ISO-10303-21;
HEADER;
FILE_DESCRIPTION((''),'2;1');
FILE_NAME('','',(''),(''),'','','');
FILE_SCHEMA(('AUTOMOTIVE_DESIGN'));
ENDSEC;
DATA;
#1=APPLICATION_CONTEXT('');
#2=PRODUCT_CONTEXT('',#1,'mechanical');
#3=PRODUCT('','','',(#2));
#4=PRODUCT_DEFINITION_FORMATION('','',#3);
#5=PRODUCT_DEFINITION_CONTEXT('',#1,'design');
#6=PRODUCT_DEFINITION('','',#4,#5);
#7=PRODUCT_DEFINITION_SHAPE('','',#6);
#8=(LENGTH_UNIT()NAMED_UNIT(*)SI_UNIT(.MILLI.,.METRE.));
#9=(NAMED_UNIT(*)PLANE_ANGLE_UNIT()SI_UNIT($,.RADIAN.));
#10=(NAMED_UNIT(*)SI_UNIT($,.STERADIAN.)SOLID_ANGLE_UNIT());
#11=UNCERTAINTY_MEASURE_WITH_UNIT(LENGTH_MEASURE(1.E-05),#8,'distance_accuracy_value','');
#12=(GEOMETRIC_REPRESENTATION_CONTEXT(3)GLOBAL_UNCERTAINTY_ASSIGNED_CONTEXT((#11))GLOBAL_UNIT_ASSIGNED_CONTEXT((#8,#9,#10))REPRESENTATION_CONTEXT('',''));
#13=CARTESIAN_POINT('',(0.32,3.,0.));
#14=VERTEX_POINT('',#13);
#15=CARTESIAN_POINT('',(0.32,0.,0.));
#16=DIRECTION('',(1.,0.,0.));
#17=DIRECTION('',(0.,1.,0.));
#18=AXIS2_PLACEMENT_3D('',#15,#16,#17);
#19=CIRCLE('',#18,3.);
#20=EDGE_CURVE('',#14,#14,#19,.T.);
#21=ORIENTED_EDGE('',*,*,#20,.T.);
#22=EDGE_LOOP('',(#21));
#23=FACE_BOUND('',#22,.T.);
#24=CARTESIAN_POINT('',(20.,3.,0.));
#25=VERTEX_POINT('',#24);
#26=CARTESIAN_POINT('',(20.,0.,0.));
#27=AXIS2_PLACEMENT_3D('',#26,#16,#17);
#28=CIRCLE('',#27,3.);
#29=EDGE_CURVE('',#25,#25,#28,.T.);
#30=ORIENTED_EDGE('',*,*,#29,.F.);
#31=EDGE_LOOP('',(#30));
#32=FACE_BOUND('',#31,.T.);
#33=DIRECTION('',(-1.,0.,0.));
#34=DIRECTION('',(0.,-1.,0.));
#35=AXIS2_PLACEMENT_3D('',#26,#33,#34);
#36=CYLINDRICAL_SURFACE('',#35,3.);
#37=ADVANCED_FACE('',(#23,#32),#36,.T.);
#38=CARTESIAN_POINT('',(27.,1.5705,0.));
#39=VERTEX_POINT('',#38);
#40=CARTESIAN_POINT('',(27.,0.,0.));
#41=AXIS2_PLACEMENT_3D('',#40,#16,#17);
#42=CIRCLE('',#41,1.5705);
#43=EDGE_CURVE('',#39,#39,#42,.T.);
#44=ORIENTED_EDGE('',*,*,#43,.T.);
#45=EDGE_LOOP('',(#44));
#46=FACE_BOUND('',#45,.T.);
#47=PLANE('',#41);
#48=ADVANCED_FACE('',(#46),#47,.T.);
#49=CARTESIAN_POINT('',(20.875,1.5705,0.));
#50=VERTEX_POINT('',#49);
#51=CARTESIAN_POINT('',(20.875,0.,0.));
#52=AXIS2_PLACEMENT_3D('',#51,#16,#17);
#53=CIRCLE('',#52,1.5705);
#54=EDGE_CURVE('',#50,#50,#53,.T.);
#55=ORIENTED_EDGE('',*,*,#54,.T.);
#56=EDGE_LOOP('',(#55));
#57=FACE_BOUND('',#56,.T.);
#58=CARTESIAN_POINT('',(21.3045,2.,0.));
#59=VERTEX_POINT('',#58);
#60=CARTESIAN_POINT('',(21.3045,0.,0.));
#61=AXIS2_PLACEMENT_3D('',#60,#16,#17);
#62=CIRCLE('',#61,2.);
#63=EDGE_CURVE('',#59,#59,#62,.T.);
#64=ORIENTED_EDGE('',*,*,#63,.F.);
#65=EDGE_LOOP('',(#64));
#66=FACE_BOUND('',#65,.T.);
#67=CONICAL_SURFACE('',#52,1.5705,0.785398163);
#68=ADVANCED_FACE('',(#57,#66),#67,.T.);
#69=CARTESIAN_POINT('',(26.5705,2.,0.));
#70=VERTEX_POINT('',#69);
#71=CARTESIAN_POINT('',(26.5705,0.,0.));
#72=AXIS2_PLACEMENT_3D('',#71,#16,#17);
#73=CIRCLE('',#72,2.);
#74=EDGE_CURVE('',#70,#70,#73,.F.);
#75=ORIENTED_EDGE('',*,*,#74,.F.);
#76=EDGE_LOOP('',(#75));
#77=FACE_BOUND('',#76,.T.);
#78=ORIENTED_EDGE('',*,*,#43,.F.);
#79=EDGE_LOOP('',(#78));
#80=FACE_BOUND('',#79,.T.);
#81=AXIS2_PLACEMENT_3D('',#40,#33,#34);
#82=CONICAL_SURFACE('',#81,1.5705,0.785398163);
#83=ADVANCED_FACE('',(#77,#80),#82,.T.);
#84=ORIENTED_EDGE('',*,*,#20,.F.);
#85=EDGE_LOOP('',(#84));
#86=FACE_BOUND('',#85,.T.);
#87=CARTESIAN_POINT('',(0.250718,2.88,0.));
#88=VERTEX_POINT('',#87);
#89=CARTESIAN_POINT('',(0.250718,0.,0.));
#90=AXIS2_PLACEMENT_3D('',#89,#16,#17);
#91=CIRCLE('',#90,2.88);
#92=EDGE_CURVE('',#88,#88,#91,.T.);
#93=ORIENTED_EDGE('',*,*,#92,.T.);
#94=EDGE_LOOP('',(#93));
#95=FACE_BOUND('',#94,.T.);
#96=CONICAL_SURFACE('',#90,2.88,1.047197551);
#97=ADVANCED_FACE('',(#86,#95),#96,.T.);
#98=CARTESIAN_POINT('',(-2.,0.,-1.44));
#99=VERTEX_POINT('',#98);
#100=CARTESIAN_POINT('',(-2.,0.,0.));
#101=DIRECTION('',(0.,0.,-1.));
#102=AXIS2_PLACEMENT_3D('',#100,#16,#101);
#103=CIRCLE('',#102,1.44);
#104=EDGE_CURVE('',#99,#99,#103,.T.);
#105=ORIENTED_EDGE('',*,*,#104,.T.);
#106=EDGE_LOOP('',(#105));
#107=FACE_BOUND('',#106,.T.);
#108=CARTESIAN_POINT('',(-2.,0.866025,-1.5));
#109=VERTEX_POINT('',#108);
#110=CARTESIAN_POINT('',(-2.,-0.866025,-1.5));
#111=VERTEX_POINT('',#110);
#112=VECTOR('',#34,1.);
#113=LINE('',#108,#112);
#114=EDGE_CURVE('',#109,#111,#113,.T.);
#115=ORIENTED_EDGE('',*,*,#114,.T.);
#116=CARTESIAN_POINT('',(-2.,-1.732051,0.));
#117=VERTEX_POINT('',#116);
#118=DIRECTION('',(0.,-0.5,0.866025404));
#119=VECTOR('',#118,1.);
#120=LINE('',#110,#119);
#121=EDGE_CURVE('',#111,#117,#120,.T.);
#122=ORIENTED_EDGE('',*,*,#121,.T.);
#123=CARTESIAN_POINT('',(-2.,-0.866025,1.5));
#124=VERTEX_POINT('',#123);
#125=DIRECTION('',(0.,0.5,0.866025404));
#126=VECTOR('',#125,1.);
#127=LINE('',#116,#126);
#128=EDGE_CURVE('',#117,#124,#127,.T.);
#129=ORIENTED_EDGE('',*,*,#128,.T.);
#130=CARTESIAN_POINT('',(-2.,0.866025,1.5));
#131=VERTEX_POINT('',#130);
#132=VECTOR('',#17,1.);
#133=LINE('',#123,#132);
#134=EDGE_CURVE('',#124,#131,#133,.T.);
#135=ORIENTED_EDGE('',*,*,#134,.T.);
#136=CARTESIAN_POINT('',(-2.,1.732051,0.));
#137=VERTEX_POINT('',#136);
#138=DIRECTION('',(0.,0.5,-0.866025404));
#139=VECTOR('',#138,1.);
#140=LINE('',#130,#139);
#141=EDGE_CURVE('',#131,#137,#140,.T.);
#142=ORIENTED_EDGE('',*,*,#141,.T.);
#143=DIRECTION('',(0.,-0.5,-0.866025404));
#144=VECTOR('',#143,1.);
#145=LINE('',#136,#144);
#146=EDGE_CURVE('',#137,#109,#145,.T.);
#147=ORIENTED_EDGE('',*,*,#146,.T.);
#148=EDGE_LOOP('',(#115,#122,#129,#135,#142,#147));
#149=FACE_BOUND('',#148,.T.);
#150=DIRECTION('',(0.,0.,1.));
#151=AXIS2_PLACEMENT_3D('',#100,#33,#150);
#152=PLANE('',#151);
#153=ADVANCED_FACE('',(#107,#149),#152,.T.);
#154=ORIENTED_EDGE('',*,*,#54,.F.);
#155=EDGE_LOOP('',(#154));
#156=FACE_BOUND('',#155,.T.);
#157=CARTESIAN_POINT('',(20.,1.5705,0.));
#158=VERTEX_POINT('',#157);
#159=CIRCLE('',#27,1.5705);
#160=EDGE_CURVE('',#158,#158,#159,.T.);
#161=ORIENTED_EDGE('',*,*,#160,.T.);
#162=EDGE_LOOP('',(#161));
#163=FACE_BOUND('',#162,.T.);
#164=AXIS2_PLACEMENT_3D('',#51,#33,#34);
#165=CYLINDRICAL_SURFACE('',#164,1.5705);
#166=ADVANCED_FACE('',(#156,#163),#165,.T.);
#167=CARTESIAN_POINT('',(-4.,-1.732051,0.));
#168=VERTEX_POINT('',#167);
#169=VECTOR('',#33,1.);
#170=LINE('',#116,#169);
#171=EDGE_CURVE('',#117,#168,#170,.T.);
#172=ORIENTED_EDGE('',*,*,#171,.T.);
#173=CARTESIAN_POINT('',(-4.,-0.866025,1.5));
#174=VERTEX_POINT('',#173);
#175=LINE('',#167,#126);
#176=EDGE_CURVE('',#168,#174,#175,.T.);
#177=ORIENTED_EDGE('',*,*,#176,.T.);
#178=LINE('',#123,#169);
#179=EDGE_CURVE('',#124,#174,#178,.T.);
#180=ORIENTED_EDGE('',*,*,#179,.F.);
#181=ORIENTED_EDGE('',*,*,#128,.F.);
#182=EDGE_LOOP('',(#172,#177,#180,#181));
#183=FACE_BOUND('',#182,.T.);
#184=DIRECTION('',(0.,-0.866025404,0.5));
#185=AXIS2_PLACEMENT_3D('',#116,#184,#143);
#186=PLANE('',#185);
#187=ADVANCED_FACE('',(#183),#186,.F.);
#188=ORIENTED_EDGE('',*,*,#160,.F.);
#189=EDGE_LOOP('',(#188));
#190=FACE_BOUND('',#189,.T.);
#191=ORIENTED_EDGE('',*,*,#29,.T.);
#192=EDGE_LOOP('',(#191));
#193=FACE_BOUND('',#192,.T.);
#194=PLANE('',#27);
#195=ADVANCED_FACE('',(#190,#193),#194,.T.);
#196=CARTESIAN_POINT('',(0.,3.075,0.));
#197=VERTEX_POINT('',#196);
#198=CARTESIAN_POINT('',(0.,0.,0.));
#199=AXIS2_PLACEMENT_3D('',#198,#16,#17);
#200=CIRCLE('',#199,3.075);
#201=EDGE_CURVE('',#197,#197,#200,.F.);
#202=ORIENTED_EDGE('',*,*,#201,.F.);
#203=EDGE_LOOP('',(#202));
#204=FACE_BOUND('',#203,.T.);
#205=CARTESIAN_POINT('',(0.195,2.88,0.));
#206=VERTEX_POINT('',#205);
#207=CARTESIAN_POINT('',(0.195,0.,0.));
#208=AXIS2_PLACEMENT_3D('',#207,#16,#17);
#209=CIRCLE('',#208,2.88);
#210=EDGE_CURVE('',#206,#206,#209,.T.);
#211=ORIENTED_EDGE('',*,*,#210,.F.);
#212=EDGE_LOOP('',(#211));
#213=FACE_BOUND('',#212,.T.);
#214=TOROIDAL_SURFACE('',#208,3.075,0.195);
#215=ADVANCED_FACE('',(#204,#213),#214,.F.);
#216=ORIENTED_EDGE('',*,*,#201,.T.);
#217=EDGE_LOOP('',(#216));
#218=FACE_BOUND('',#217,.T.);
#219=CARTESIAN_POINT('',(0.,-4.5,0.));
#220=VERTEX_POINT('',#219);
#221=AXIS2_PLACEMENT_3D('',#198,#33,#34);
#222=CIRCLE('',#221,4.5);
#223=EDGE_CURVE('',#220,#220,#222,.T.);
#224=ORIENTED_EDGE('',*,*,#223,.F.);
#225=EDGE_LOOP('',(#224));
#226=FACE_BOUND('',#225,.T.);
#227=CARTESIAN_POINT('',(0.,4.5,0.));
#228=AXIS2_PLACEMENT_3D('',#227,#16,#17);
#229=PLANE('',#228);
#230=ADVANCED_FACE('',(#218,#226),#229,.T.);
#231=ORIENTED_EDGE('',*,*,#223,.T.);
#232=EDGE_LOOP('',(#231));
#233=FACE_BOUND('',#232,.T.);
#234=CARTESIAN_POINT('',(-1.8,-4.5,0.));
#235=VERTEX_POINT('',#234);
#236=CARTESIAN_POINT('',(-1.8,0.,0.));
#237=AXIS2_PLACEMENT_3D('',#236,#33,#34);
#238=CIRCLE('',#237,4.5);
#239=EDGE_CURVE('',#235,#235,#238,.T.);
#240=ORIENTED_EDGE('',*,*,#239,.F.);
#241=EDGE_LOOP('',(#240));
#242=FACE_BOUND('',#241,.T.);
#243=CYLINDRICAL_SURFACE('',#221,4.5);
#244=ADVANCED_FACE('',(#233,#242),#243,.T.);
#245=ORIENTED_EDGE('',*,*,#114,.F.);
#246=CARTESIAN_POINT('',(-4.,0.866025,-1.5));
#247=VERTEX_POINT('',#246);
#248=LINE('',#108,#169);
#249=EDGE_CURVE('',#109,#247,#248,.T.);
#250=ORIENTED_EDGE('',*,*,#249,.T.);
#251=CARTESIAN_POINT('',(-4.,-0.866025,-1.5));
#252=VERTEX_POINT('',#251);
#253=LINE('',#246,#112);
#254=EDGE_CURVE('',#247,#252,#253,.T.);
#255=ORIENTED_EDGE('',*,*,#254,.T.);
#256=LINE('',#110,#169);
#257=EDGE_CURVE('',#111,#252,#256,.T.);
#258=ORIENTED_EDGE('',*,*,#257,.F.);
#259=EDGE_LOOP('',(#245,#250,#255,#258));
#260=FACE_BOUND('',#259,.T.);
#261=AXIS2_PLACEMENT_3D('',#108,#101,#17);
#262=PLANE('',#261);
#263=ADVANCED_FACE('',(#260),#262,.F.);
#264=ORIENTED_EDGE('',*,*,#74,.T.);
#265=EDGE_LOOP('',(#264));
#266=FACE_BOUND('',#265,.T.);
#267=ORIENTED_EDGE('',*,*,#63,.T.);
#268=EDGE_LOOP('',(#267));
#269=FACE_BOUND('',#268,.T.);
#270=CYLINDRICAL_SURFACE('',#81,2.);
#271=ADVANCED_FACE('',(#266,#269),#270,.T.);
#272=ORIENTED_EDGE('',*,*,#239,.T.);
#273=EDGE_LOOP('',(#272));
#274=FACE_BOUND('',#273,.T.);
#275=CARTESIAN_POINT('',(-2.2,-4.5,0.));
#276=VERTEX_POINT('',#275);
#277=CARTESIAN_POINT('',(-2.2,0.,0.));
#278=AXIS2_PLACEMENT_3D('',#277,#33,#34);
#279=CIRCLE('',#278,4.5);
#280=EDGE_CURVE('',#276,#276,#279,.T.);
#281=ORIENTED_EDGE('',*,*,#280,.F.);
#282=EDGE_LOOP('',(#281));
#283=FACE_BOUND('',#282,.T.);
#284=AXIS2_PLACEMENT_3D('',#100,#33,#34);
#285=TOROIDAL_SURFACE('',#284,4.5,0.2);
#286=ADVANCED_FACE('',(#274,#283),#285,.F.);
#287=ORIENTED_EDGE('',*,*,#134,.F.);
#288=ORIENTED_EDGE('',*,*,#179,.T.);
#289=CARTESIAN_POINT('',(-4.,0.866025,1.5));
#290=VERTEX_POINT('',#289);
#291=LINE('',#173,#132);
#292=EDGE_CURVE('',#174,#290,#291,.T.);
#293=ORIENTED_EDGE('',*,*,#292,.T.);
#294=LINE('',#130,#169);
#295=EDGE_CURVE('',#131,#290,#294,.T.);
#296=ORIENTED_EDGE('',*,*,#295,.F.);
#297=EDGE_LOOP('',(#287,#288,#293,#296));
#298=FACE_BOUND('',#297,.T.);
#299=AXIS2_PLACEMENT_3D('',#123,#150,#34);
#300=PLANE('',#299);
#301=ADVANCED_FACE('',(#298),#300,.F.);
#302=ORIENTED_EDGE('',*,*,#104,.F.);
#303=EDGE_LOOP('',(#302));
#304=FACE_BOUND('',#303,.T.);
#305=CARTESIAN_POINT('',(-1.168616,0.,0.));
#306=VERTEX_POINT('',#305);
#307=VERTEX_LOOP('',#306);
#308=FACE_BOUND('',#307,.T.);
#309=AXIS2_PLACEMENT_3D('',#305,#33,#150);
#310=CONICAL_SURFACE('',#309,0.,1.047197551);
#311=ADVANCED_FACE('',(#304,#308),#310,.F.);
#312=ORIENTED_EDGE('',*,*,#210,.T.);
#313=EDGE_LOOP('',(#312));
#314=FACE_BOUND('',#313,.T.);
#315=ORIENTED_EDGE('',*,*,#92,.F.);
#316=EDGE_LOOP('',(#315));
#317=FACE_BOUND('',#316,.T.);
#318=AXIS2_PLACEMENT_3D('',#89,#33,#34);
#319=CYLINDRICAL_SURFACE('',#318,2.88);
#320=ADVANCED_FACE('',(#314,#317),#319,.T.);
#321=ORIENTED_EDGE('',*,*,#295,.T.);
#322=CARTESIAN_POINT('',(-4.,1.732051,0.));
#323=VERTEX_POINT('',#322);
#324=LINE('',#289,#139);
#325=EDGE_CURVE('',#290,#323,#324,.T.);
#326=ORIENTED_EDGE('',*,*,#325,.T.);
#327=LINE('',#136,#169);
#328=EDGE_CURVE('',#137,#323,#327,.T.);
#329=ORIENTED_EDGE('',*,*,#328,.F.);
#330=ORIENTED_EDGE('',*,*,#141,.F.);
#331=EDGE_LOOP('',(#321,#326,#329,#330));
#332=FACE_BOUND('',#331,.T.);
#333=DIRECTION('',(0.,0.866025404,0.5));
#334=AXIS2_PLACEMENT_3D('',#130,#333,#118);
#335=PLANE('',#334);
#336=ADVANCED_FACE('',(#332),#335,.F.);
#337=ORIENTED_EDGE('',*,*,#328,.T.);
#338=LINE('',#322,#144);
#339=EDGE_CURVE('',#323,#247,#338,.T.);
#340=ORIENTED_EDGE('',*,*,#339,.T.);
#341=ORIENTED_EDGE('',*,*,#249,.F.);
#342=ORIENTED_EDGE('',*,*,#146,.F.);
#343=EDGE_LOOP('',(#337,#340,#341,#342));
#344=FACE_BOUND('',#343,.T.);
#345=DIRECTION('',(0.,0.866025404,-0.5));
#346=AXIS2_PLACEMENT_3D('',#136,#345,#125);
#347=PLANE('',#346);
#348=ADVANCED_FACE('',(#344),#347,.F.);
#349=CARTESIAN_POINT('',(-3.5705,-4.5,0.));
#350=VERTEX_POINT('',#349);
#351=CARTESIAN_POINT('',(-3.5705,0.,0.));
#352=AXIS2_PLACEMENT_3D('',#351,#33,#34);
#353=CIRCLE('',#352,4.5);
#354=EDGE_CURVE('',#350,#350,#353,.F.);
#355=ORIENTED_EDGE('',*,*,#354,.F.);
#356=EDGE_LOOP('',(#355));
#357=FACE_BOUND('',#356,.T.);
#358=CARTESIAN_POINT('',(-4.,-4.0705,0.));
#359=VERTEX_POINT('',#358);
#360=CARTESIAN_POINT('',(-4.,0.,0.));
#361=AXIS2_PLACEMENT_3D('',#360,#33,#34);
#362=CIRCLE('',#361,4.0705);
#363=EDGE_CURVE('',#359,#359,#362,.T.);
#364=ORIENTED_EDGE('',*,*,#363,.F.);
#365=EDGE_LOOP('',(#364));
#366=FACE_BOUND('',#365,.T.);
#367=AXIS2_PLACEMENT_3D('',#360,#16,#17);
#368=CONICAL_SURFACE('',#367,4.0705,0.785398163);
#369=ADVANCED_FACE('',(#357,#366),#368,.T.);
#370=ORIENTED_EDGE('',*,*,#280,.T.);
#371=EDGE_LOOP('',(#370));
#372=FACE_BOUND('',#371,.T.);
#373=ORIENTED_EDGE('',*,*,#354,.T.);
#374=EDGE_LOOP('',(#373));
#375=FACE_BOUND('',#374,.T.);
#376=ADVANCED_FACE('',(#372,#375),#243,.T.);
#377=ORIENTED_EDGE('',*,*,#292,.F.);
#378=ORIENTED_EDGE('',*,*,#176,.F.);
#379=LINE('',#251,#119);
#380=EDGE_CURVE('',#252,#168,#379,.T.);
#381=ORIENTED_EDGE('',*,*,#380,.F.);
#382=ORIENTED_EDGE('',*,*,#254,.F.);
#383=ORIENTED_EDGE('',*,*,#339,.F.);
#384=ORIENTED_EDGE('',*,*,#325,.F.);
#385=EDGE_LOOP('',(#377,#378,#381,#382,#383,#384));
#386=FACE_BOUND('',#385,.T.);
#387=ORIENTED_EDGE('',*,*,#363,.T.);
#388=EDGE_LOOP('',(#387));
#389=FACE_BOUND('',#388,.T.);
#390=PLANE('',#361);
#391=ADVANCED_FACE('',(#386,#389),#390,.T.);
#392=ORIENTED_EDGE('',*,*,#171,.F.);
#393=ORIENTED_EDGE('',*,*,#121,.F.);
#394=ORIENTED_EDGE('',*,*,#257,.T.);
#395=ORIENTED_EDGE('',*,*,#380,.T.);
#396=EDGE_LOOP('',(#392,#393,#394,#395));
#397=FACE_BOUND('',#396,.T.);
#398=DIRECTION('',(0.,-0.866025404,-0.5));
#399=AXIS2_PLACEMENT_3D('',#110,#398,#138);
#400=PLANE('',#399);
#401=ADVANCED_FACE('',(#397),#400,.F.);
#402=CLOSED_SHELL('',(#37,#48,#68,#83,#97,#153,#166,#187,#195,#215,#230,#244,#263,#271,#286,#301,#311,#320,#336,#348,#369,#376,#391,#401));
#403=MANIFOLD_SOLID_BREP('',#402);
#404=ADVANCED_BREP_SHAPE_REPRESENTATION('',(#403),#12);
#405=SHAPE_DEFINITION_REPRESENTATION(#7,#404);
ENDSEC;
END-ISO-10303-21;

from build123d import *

# Parameters (mm, degrees)
SKETCH2_R           = 2.88
BOSS_EXTRUDE1_DEPTH = 0.250717968
SKETCH3_R           = 2.88
BOSS_EXTRUDE2_DEPTH = 0.069282032
BOSS_EXTRUDE2_TAPER = -60.000000004
SKETCH4_R           = 3
BOSS_EXTRUDE3_DEPTH = 19.68
SKETCH5_R           = 1.5705
BOSS_EXTRUDE4_DEPTH = 0.875
SKETCH6_R           = 1.5705
BOSS_EXTRUDE5_DEPTH = 0.4295
BOSS_EXTRUDE5_TAPER = -45
SKETCH7_R           = 2
BOSS_EXTRUDE6_DEPTH = 5.6955
CUT_EXTRUDE1_DEPTH  = 2
CHAMFER1_SIZE       = 0.4295
FILLET1_R           = 0.195


with BuildPart() as part:
    # Sketch1 → Revolve1 (revolve)
    with BuildSketch(Plane(origin=(0, 0, 0), x_dir=(-1, 0, 0), z_dir=(0, 0, -1))):
        with BuildLine():
            Line((0, 4.5), (0, 0))
            Line((0, 0), (4, 0))
            Line((4, 0), (4, 4.5))
            Line((4, 4.5), (2.2, 4.5))
            ThreePointArc((2.2, 4.5), (2, 4.3), (1.8, 4.5))
            Line((1.8, 4.5), (0, 4.5))
        make_face()
    revolve(axis=Axis((0, 0, 0), (-1, 0, 0)))

    # Sketch2 → Boss-Extrude1 (add)
    with BuildSketch(Plane(origin=(0, 0, 0), x_dir=(0, 0, -1), z_dir=(1, 0, 0))):
        Circle(SKETCH2_R)
    extrude(amount=BOSS_EXTRUDE1_DEPTH)

    # Sketch3 → Boss-Extrude2 (add)
    with BuildSketch(Plane(origin=(0.250717968, 0, 0), x_dir=(0, 0, -1), z_dir=(1, 0, 0))):
        Circle(SKETCH3_R)
    extrude(amount=BOSS_EXTRUDE2_DEPTH, taper=BOSS_EXTRUDE2_TAPER)

    # Sketch4 → Boss-Extrude3 (add)
    with BuildSketch(Plane(origin=(0.32, 0, 0), x_dir=(0, 0, -1), z_dir=(1, 0, 0))):
        Circle(SKETCH4_R)
    extrude(amount=BOSS_EXTRUDE3_DEPTH)

    # Sketch5 → Boss-Extrude4 (add)
    with BuildSketch(Plane(origin=(20, 0, 0), x_dir=(0, 0, -1), z_dir=(1, 0, 0))):
        Circle(SKETCH5_R)
    extrude(amount=BOSS_EXTRUDE4_DEPTH)

    # Sketch6 → Boss-Extrude5 (add)
    with BuildSketch(Plane(origin=(20.875, 0, 0), x_dir=(0, 0, -1), z_dir=(1, 0, 0))):
        Circle(SKETCH6_R)
    extrude(amount=BOSS_EXTRUDE5_DEPTH, taper=BOSS_EXTRUDE5_TAPER)

    # Sketch7 → Boss-Extrude6 (add)
    with BuildSketch(Plane(origin=(21.3045, 0, 0), x_dir=(0, 0, -1), z_dir=(1, 0, 0))):
        Circle(SKETCH7_R)
    extrude(amount=BOSS_EXTRUDE6_DEPTH)

    # Sketch8 → Cut-Extrude1 (cut)
    with BuildSketch(Plane.ZY.offset(4)):
        Polygon((1.5, -0.866025404), (1.5, 0.866025404), (0, 1.732050808), (-1.5, 0.866025404), (-1.5, -0.866025404), (0, -1.732050808), align=None)
    extrude(amount=-CUT_EXTRUDE1_DEPTH, mode=Mode.SUBTRACT)

    # Sketch9 → Cut-Revolve1 (revolve, cut)
    with BuildSketch(Plane.XY):
        Polygon((-2, 1.44), (-2, 0), (-1.168615612, 0), align=None)
    revolve(axis=Axis((-2, 0, 0), (1, 0, 0)), mode=Mode.SUBTRACT)

    # Chamfer1
    chamfer1_edges = [part.edges().sort_by_distance(p)[0] for p in [
        (27, 0, 2),
        (-4, -4.5, 0),
    ]]
    chamfer(chamfer1_edges, length=CHAMFER1_SIZE)

    # Fillet1
    fillet1_edges = [part.edges().sort_by_distance(p)[0] for p in [
        (0, 0, 2.88),
    ]]
    fillet(fillet1_edges, radius=FILLET1_R)


solid = part.part
